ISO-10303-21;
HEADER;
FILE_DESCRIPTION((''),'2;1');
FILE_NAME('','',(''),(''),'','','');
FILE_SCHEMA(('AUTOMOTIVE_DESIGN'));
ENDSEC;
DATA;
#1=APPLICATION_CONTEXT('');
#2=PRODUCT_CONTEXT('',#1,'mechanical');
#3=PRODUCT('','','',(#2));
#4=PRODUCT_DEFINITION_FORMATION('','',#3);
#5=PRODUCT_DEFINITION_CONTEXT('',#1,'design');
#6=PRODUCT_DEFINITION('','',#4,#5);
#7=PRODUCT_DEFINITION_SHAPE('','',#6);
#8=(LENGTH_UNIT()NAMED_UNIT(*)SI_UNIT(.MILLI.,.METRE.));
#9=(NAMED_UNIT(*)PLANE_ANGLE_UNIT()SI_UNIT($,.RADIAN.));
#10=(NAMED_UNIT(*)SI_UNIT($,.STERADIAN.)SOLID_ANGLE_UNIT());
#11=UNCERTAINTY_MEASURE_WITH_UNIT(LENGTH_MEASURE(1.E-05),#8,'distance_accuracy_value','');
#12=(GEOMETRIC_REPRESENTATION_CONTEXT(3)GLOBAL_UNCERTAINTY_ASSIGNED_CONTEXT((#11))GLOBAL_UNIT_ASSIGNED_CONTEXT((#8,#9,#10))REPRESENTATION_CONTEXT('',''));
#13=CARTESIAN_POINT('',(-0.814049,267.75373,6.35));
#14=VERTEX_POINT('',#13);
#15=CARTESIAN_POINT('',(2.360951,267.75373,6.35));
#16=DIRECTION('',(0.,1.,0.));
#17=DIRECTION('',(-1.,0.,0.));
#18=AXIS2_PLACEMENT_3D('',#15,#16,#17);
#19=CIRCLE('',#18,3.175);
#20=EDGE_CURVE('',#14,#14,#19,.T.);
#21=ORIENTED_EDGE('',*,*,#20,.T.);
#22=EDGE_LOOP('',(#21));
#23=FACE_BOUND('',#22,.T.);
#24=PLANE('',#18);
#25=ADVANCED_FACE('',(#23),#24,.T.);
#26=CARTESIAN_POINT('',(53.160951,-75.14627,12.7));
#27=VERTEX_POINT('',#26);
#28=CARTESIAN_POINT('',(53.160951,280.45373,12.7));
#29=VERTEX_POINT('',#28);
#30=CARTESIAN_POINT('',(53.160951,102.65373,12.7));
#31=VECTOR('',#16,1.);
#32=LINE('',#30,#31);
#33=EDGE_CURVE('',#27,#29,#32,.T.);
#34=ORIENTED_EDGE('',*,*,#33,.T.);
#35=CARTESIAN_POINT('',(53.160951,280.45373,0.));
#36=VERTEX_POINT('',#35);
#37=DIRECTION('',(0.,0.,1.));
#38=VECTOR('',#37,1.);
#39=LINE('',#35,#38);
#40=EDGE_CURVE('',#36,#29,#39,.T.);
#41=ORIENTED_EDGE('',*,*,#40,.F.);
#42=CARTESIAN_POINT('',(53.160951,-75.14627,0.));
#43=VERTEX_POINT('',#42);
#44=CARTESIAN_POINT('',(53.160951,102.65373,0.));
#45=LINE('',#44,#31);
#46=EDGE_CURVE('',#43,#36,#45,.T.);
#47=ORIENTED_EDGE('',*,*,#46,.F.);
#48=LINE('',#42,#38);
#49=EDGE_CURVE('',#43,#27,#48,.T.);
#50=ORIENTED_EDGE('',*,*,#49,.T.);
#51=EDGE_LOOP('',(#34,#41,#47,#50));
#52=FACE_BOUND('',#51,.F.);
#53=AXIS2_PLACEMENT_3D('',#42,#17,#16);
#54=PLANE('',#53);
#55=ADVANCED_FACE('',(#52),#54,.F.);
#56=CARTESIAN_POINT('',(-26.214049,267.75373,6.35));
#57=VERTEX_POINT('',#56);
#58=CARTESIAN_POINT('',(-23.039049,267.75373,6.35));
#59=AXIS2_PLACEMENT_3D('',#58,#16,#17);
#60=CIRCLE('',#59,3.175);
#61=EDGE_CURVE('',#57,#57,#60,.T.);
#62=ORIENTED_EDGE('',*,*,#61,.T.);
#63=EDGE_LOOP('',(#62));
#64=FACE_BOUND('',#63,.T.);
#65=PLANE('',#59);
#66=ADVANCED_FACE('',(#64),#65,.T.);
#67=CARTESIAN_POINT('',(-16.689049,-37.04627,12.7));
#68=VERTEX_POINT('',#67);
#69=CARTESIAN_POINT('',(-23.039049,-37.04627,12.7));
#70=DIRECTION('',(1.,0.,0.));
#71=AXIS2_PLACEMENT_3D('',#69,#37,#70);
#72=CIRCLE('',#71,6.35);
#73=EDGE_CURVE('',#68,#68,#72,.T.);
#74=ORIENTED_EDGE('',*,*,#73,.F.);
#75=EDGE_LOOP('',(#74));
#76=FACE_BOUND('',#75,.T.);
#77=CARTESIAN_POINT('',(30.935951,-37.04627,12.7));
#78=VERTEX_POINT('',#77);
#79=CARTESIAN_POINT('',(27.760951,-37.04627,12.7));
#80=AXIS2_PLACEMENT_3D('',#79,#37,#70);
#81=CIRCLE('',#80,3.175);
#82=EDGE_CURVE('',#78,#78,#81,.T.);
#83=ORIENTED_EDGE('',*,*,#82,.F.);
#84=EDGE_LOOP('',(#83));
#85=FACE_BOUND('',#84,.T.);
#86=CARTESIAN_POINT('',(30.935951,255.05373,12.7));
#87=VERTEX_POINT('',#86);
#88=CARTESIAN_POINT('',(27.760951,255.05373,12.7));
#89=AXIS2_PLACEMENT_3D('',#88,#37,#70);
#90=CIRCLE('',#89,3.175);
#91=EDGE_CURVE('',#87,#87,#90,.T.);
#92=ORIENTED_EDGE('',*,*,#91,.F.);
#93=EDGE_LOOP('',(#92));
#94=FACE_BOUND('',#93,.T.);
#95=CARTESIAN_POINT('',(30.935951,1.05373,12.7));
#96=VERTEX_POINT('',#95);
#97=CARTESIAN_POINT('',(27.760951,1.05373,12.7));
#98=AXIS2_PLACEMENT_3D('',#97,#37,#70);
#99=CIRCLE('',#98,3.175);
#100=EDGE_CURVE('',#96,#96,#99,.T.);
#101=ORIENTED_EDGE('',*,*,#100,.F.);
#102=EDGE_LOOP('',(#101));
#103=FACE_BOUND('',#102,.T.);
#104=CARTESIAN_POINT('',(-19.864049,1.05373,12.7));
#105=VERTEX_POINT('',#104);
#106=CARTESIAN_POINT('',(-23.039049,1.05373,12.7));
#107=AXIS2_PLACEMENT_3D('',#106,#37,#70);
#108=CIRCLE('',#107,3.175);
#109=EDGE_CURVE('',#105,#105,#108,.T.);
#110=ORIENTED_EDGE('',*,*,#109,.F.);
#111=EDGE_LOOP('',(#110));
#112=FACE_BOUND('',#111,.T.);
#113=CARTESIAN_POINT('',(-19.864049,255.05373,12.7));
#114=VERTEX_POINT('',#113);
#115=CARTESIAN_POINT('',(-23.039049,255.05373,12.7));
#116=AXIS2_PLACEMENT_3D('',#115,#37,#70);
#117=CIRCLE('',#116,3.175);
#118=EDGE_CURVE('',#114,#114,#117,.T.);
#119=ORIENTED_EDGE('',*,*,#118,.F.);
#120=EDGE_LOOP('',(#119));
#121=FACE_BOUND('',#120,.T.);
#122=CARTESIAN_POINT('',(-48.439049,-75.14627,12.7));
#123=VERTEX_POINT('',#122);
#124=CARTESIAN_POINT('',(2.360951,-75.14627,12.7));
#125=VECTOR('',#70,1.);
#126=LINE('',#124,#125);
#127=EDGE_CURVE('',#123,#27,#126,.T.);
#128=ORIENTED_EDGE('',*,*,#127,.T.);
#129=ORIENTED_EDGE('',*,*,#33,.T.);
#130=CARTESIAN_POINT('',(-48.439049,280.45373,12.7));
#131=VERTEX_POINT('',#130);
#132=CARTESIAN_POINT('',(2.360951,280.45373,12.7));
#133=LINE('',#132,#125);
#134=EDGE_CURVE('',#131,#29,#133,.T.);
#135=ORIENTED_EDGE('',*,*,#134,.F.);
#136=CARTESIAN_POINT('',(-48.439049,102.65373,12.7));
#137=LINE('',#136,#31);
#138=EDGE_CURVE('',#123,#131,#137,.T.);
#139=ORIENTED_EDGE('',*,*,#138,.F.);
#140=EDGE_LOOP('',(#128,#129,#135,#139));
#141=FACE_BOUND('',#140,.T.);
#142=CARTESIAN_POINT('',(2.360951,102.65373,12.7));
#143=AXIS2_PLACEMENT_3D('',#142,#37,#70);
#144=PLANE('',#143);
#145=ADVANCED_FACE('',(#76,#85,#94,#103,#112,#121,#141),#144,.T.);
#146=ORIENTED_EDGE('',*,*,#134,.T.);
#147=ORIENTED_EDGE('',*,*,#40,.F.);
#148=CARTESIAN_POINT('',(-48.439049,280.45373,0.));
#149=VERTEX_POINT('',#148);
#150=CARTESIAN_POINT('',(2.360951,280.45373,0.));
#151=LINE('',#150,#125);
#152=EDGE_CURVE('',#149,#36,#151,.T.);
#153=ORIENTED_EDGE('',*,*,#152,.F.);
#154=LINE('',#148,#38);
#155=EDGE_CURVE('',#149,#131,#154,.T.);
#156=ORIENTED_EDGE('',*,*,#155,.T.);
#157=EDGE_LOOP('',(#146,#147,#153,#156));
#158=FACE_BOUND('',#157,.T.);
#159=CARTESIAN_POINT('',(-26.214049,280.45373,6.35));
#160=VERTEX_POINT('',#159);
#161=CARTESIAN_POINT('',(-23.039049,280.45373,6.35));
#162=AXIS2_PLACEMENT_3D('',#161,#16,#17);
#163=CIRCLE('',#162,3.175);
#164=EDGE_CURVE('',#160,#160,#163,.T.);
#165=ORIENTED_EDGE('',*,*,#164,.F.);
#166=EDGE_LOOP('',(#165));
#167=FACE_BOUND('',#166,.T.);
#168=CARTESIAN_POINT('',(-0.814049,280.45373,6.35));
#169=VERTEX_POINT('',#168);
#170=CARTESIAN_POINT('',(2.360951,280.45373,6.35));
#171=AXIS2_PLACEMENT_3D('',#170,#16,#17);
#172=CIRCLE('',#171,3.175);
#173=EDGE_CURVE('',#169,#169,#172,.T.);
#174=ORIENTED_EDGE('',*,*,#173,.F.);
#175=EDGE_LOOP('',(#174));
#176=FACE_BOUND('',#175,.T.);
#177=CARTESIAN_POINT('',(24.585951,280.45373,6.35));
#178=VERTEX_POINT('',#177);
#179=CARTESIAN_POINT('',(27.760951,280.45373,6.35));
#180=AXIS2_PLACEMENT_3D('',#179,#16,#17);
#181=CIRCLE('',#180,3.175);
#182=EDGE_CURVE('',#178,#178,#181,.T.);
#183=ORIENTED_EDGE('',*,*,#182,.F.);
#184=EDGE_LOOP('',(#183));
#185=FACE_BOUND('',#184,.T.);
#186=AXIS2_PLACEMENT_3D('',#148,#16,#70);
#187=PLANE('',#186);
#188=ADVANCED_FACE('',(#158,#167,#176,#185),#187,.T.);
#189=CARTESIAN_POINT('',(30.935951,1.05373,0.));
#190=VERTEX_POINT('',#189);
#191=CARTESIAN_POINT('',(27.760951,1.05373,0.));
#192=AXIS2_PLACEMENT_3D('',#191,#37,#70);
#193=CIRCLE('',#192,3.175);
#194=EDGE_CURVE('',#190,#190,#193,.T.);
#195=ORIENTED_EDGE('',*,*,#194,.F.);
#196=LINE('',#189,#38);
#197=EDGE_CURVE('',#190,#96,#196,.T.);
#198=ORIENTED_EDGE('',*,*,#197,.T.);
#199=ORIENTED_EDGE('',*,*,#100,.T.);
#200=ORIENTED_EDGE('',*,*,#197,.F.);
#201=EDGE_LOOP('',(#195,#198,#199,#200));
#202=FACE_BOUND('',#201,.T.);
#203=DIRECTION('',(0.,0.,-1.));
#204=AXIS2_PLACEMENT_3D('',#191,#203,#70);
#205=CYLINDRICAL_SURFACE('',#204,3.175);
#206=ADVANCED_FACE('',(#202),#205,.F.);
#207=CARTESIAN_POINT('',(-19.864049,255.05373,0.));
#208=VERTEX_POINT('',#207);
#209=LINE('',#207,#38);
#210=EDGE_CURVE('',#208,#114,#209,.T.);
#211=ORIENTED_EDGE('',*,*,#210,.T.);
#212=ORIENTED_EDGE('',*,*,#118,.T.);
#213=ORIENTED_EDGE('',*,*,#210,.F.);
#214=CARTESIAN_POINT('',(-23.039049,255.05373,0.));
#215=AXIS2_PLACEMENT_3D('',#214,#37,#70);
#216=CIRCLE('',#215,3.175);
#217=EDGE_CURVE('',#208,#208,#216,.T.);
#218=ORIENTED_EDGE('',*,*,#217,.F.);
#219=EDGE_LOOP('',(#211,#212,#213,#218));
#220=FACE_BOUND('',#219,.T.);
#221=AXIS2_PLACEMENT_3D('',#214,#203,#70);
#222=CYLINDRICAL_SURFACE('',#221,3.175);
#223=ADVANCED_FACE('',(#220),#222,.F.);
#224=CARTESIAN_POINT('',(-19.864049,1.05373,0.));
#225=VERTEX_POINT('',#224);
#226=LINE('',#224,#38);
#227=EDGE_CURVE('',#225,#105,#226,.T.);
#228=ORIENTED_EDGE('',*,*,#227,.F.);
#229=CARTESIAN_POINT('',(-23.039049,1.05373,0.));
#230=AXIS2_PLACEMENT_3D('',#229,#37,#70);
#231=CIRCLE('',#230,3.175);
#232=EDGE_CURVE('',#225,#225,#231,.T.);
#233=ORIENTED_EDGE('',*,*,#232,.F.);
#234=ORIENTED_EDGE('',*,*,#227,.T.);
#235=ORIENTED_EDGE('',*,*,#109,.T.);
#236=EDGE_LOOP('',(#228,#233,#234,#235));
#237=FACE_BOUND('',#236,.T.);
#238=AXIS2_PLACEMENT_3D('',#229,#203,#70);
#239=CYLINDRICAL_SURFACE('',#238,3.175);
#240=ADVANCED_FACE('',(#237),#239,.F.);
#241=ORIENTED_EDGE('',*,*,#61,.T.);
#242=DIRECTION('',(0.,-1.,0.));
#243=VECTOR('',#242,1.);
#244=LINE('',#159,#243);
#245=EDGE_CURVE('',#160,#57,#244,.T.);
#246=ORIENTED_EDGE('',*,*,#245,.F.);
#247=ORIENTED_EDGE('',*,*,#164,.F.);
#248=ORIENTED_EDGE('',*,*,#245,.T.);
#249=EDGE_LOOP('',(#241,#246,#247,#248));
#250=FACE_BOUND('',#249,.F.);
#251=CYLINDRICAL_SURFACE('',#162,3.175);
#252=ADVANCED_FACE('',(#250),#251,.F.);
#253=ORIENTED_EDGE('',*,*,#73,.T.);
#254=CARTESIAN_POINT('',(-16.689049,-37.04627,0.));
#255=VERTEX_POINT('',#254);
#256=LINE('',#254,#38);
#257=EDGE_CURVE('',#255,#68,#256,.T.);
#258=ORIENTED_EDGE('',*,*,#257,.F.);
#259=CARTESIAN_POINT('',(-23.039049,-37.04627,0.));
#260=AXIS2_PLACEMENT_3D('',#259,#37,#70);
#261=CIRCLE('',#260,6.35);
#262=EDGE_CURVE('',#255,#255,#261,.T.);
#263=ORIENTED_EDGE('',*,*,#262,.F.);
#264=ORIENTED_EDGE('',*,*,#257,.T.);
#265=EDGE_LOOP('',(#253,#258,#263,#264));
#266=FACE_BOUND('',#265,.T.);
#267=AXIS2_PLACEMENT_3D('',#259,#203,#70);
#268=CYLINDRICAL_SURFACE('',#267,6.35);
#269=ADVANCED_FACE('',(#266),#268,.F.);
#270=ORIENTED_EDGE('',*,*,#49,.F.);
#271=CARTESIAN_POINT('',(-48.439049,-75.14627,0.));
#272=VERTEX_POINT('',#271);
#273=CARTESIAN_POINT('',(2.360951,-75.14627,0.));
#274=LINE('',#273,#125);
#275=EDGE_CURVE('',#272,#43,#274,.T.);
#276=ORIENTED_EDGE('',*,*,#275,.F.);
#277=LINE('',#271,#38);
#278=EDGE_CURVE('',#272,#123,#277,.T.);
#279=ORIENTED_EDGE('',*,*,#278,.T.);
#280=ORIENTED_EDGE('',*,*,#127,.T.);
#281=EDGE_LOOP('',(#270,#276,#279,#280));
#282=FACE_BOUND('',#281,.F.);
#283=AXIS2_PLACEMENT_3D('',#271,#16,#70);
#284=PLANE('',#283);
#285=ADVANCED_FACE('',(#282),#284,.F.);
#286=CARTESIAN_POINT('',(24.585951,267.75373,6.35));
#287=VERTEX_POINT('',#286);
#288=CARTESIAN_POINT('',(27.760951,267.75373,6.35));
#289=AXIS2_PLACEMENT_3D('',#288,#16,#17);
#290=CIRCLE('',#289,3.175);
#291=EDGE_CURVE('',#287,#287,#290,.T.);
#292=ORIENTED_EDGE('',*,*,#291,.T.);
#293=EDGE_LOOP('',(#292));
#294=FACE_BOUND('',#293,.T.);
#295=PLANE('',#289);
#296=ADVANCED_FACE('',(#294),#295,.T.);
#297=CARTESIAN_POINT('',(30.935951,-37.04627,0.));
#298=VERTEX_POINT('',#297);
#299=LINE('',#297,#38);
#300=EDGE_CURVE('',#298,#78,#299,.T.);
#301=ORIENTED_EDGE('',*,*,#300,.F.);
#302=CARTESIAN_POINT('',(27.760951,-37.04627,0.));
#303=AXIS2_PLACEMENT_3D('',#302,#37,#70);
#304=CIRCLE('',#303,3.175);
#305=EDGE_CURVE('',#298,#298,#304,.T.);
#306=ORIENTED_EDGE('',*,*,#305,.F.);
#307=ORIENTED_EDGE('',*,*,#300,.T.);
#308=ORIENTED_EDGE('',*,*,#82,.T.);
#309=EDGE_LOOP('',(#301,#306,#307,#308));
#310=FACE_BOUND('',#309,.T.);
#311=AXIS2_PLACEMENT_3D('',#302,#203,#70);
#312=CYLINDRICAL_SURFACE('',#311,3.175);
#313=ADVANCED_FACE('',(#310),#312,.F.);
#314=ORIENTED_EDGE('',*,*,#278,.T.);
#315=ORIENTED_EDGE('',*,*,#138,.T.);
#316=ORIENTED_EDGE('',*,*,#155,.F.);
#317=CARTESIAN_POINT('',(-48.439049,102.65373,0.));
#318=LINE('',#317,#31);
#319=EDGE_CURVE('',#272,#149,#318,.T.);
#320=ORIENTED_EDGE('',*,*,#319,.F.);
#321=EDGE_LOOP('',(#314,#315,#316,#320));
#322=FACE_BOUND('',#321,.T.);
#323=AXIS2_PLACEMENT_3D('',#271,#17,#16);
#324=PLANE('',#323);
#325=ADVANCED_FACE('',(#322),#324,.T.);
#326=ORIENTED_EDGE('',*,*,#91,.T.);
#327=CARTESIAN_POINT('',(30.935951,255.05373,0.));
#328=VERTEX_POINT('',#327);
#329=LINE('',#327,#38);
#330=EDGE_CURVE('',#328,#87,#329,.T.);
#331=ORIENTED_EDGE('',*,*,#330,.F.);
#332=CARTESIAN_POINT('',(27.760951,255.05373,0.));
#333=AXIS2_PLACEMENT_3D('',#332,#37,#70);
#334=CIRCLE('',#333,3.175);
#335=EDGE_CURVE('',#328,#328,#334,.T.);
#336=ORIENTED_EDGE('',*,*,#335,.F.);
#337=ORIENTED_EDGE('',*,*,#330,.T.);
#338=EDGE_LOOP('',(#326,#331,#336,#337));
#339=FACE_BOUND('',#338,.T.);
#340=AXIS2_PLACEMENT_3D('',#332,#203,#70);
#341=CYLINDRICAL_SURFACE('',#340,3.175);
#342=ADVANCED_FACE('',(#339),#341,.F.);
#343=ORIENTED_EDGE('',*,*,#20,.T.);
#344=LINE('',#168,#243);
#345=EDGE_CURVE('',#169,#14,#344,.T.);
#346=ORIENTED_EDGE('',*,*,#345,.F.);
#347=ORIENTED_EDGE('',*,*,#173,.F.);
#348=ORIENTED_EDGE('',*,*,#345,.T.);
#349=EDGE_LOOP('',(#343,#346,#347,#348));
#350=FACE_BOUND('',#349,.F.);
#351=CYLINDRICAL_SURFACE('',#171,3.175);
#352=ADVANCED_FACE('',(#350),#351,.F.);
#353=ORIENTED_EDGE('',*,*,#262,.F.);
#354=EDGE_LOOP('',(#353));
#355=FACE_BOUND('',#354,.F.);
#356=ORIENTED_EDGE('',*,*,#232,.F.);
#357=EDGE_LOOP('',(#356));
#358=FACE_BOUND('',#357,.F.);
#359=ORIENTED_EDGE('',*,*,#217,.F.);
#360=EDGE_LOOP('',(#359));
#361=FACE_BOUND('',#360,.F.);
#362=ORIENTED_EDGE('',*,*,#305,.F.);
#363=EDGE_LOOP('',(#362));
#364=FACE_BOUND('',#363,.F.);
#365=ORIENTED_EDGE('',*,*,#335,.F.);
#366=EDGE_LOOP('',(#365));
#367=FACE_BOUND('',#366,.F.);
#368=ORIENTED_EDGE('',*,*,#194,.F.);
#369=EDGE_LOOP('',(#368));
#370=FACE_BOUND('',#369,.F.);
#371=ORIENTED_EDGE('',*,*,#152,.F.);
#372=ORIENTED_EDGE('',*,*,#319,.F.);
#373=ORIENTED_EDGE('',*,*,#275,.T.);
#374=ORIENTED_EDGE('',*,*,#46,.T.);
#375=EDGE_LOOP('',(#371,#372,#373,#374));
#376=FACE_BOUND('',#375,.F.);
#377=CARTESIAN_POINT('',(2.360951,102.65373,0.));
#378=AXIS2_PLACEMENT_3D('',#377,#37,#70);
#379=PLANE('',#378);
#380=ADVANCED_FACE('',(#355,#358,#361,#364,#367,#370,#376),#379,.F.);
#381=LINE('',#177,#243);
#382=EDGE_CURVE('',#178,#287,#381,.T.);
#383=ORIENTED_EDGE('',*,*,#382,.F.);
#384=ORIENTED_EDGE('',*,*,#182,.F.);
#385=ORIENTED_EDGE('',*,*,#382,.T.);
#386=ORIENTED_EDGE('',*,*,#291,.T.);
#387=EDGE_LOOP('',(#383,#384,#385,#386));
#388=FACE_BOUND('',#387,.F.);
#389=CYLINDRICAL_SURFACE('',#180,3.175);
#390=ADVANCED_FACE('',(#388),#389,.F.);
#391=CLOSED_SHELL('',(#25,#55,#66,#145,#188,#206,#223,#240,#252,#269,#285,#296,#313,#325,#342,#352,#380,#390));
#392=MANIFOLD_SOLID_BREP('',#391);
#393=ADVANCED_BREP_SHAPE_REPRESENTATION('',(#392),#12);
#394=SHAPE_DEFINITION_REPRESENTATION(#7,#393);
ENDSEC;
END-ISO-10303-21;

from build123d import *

# Parameters (mm, degrees)
F0_W     = 101.6
F0_H     = 355.6
F0_R     = 6.35
F0_R_2   = 3.175
F1_DEPTH = 12.7
F2_R     = 3.175
F3_DEPTH = 12.7


with BuildPart() as f1:
    # F0 (on Top) → F1 (new body)
    with BuildSketch(Plane.XY):
        with Locations((2.360951, 102.65373)):
            Rectangle(F0_W, F0_H)
        with Locations((-23.039049, -37.04627)):
            Circle(F0_R, mode=Mode.SUBTRACT)
        with Locations((-23.039049, 1.05373)):
            Circle(F0_R_2, mode=Mode.SUBTRACT)
        with Locations((27.760951, -37.04627)):
            Circle(F0_R_2, mode=Mode.SUBTRACT)
        with Locations((27.760951, 1.05373)):
            Circle(F0_R_2, mode=Mode.SUBTRACT)
        with Locations((-23.039049, 255.05373)):
            Circle(F0_R_2, mode=Mode.SUBTRACT)
        with Locations((27.760951, 255.05373)):
            Circle(F0_R_2, mode=Mode.SUBTRACT)
    extrude(amount=F1_DEPTH)

    # F2 (on face) → F3 (cut)
    with BuildSketch(Plane(origin=(0, 280.45373, 0), x_dir=(-1, 0, 0), z_dir=(0, 1, 0))):
        with Locations((-27.760951, 6.35)):
            Circle(F2_R)
        with Locations((-2.360951, 6.35)):
            Circle(F2_R)
        with Locations((23.039049, 6.35)):
            Circle(F2_R)
    extrude(amount=-F3_DEPTH, mode=Mode.SUBTRACT)


solid = f1.part
